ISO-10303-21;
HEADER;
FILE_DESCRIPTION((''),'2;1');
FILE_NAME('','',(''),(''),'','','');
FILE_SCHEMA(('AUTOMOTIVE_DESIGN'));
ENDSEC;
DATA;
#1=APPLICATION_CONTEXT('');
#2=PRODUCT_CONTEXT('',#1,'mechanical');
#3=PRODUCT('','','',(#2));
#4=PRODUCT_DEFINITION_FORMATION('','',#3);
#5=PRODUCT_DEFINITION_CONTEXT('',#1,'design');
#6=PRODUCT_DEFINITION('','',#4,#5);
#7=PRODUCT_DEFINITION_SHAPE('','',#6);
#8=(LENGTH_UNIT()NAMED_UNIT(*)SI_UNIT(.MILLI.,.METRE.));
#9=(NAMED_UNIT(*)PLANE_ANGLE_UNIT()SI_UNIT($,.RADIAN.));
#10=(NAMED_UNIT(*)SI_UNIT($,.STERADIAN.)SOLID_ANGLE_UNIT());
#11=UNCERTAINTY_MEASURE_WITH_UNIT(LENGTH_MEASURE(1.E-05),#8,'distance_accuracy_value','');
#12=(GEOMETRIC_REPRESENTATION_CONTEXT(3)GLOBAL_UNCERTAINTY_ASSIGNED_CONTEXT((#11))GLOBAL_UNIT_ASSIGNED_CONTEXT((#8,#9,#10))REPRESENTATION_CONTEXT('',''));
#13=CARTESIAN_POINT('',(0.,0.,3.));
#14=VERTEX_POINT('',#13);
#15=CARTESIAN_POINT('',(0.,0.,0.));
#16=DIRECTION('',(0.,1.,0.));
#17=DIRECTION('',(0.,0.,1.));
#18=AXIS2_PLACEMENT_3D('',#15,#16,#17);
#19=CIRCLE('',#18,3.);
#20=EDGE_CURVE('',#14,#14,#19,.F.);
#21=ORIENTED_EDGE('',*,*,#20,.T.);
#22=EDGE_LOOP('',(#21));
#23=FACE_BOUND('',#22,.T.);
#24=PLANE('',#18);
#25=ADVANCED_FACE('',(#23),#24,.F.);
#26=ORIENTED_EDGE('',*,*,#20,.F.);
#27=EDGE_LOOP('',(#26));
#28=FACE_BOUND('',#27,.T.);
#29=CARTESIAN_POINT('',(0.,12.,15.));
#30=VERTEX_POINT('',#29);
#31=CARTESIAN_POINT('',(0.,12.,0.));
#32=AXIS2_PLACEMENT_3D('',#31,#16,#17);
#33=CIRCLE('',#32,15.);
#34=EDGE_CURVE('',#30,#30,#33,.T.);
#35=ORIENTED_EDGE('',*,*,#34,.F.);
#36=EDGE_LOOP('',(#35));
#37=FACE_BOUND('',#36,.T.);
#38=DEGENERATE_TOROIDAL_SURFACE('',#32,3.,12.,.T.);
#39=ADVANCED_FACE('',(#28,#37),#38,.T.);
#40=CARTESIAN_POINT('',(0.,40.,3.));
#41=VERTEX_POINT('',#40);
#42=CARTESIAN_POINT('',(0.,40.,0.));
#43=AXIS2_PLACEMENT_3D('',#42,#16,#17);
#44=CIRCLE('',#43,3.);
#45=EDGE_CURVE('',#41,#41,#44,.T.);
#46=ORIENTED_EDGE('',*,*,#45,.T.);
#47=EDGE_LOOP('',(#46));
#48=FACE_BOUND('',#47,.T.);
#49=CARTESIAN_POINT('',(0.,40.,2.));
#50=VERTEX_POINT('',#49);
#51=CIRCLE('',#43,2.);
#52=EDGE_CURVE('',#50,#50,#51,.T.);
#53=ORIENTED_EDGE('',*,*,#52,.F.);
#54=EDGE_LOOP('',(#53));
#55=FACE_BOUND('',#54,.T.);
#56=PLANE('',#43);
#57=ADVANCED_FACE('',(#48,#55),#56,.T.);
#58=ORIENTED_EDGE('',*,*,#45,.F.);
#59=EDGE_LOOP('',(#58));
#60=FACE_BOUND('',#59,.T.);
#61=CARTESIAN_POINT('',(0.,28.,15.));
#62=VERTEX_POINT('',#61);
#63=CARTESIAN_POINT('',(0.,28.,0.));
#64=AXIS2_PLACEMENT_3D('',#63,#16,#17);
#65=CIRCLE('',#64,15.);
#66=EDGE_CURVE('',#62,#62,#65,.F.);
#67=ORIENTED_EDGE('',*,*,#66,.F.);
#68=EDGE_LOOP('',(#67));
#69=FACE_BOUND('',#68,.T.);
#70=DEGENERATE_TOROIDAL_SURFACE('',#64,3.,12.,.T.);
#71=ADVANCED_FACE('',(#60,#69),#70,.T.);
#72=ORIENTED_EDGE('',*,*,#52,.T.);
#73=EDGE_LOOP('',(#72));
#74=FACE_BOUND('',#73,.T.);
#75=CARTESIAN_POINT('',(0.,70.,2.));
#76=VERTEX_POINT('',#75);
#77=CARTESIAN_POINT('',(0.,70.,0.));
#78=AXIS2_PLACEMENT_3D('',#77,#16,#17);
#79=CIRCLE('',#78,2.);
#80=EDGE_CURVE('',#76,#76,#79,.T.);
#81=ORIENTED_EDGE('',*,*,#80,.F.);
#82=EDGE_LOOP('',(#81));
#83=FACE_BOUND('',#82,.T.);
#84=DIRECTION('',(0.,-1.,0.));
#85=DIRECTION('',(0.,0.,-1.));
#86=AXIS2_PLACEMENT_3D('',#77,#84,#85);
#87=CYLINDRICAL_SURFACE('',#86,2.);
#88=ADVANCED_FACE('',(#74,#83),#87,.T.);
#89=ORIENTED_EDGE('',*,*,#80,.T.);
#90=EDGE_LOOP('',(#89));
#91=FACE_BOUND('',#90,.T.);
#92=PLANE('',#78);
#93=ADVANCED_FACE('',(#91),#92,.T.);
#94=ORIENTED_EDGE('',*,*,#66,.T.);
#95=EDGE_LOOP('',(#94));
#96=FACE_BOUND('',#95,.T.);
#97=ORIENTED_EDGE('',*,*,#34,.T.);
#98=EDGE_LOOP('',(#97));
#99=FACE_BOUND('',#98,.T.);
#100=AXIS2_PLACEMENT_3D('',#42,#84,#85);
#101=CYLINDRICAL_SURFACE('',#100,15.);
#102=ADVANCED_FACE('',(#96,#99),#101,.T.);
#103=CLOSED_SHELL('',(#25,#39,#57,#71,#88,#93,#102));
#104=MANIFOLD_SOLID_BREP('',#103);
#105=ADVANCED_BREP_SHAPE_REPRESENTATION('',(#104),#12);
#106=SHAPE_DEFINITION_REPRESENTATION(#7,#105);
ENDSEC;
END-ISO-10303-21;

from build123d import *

# Parameters (mm, degrees)
SKETCH1_R           = 15
BOSS_EXTRUDE1_DEPTH = 40
FILLET1_R           = 12
SKETCH2_R           = 2
BOSS_EXTRUDE2_DEPTH = 30


with BuildPart() as part:
    # Sketch1 → Boss-Extrude1 (new body)
    with BuildSketch(Plane(origin=(0, 0, 0), x_dir=(1, 0, 0), z_dir=(0, 1, 0))):
        with Locations(Location((0, 0, 0), (0, 0, 270))):
            Circle(SKETCH1_R)
    extrude(amount=BOSS_EXTRUDE1_DEPTH)

    # Fillet1
    fillet1_edges = [part.edges().sort_by_distance(p)[0] for p in [
        (0, 0, -15),
        (0, 40, -15),
    ]]
    fillet(fillet1_edges, radius=FILLET1_R)

    # Sketch2 → Boss-Extrude2 (add)
    with BuildSketch(Plane(origin=(0, 40, 0), x_dir=(1, 0, 0), z_dir=(0, 1, 0))):
        with Locations(Location((0, 0, 0), (0, 0, 270))):
            Circle(SKETCH2_R)
    extrude(amount=BOSS_EXTRUDE2_DEPTH)


solid = part.part
